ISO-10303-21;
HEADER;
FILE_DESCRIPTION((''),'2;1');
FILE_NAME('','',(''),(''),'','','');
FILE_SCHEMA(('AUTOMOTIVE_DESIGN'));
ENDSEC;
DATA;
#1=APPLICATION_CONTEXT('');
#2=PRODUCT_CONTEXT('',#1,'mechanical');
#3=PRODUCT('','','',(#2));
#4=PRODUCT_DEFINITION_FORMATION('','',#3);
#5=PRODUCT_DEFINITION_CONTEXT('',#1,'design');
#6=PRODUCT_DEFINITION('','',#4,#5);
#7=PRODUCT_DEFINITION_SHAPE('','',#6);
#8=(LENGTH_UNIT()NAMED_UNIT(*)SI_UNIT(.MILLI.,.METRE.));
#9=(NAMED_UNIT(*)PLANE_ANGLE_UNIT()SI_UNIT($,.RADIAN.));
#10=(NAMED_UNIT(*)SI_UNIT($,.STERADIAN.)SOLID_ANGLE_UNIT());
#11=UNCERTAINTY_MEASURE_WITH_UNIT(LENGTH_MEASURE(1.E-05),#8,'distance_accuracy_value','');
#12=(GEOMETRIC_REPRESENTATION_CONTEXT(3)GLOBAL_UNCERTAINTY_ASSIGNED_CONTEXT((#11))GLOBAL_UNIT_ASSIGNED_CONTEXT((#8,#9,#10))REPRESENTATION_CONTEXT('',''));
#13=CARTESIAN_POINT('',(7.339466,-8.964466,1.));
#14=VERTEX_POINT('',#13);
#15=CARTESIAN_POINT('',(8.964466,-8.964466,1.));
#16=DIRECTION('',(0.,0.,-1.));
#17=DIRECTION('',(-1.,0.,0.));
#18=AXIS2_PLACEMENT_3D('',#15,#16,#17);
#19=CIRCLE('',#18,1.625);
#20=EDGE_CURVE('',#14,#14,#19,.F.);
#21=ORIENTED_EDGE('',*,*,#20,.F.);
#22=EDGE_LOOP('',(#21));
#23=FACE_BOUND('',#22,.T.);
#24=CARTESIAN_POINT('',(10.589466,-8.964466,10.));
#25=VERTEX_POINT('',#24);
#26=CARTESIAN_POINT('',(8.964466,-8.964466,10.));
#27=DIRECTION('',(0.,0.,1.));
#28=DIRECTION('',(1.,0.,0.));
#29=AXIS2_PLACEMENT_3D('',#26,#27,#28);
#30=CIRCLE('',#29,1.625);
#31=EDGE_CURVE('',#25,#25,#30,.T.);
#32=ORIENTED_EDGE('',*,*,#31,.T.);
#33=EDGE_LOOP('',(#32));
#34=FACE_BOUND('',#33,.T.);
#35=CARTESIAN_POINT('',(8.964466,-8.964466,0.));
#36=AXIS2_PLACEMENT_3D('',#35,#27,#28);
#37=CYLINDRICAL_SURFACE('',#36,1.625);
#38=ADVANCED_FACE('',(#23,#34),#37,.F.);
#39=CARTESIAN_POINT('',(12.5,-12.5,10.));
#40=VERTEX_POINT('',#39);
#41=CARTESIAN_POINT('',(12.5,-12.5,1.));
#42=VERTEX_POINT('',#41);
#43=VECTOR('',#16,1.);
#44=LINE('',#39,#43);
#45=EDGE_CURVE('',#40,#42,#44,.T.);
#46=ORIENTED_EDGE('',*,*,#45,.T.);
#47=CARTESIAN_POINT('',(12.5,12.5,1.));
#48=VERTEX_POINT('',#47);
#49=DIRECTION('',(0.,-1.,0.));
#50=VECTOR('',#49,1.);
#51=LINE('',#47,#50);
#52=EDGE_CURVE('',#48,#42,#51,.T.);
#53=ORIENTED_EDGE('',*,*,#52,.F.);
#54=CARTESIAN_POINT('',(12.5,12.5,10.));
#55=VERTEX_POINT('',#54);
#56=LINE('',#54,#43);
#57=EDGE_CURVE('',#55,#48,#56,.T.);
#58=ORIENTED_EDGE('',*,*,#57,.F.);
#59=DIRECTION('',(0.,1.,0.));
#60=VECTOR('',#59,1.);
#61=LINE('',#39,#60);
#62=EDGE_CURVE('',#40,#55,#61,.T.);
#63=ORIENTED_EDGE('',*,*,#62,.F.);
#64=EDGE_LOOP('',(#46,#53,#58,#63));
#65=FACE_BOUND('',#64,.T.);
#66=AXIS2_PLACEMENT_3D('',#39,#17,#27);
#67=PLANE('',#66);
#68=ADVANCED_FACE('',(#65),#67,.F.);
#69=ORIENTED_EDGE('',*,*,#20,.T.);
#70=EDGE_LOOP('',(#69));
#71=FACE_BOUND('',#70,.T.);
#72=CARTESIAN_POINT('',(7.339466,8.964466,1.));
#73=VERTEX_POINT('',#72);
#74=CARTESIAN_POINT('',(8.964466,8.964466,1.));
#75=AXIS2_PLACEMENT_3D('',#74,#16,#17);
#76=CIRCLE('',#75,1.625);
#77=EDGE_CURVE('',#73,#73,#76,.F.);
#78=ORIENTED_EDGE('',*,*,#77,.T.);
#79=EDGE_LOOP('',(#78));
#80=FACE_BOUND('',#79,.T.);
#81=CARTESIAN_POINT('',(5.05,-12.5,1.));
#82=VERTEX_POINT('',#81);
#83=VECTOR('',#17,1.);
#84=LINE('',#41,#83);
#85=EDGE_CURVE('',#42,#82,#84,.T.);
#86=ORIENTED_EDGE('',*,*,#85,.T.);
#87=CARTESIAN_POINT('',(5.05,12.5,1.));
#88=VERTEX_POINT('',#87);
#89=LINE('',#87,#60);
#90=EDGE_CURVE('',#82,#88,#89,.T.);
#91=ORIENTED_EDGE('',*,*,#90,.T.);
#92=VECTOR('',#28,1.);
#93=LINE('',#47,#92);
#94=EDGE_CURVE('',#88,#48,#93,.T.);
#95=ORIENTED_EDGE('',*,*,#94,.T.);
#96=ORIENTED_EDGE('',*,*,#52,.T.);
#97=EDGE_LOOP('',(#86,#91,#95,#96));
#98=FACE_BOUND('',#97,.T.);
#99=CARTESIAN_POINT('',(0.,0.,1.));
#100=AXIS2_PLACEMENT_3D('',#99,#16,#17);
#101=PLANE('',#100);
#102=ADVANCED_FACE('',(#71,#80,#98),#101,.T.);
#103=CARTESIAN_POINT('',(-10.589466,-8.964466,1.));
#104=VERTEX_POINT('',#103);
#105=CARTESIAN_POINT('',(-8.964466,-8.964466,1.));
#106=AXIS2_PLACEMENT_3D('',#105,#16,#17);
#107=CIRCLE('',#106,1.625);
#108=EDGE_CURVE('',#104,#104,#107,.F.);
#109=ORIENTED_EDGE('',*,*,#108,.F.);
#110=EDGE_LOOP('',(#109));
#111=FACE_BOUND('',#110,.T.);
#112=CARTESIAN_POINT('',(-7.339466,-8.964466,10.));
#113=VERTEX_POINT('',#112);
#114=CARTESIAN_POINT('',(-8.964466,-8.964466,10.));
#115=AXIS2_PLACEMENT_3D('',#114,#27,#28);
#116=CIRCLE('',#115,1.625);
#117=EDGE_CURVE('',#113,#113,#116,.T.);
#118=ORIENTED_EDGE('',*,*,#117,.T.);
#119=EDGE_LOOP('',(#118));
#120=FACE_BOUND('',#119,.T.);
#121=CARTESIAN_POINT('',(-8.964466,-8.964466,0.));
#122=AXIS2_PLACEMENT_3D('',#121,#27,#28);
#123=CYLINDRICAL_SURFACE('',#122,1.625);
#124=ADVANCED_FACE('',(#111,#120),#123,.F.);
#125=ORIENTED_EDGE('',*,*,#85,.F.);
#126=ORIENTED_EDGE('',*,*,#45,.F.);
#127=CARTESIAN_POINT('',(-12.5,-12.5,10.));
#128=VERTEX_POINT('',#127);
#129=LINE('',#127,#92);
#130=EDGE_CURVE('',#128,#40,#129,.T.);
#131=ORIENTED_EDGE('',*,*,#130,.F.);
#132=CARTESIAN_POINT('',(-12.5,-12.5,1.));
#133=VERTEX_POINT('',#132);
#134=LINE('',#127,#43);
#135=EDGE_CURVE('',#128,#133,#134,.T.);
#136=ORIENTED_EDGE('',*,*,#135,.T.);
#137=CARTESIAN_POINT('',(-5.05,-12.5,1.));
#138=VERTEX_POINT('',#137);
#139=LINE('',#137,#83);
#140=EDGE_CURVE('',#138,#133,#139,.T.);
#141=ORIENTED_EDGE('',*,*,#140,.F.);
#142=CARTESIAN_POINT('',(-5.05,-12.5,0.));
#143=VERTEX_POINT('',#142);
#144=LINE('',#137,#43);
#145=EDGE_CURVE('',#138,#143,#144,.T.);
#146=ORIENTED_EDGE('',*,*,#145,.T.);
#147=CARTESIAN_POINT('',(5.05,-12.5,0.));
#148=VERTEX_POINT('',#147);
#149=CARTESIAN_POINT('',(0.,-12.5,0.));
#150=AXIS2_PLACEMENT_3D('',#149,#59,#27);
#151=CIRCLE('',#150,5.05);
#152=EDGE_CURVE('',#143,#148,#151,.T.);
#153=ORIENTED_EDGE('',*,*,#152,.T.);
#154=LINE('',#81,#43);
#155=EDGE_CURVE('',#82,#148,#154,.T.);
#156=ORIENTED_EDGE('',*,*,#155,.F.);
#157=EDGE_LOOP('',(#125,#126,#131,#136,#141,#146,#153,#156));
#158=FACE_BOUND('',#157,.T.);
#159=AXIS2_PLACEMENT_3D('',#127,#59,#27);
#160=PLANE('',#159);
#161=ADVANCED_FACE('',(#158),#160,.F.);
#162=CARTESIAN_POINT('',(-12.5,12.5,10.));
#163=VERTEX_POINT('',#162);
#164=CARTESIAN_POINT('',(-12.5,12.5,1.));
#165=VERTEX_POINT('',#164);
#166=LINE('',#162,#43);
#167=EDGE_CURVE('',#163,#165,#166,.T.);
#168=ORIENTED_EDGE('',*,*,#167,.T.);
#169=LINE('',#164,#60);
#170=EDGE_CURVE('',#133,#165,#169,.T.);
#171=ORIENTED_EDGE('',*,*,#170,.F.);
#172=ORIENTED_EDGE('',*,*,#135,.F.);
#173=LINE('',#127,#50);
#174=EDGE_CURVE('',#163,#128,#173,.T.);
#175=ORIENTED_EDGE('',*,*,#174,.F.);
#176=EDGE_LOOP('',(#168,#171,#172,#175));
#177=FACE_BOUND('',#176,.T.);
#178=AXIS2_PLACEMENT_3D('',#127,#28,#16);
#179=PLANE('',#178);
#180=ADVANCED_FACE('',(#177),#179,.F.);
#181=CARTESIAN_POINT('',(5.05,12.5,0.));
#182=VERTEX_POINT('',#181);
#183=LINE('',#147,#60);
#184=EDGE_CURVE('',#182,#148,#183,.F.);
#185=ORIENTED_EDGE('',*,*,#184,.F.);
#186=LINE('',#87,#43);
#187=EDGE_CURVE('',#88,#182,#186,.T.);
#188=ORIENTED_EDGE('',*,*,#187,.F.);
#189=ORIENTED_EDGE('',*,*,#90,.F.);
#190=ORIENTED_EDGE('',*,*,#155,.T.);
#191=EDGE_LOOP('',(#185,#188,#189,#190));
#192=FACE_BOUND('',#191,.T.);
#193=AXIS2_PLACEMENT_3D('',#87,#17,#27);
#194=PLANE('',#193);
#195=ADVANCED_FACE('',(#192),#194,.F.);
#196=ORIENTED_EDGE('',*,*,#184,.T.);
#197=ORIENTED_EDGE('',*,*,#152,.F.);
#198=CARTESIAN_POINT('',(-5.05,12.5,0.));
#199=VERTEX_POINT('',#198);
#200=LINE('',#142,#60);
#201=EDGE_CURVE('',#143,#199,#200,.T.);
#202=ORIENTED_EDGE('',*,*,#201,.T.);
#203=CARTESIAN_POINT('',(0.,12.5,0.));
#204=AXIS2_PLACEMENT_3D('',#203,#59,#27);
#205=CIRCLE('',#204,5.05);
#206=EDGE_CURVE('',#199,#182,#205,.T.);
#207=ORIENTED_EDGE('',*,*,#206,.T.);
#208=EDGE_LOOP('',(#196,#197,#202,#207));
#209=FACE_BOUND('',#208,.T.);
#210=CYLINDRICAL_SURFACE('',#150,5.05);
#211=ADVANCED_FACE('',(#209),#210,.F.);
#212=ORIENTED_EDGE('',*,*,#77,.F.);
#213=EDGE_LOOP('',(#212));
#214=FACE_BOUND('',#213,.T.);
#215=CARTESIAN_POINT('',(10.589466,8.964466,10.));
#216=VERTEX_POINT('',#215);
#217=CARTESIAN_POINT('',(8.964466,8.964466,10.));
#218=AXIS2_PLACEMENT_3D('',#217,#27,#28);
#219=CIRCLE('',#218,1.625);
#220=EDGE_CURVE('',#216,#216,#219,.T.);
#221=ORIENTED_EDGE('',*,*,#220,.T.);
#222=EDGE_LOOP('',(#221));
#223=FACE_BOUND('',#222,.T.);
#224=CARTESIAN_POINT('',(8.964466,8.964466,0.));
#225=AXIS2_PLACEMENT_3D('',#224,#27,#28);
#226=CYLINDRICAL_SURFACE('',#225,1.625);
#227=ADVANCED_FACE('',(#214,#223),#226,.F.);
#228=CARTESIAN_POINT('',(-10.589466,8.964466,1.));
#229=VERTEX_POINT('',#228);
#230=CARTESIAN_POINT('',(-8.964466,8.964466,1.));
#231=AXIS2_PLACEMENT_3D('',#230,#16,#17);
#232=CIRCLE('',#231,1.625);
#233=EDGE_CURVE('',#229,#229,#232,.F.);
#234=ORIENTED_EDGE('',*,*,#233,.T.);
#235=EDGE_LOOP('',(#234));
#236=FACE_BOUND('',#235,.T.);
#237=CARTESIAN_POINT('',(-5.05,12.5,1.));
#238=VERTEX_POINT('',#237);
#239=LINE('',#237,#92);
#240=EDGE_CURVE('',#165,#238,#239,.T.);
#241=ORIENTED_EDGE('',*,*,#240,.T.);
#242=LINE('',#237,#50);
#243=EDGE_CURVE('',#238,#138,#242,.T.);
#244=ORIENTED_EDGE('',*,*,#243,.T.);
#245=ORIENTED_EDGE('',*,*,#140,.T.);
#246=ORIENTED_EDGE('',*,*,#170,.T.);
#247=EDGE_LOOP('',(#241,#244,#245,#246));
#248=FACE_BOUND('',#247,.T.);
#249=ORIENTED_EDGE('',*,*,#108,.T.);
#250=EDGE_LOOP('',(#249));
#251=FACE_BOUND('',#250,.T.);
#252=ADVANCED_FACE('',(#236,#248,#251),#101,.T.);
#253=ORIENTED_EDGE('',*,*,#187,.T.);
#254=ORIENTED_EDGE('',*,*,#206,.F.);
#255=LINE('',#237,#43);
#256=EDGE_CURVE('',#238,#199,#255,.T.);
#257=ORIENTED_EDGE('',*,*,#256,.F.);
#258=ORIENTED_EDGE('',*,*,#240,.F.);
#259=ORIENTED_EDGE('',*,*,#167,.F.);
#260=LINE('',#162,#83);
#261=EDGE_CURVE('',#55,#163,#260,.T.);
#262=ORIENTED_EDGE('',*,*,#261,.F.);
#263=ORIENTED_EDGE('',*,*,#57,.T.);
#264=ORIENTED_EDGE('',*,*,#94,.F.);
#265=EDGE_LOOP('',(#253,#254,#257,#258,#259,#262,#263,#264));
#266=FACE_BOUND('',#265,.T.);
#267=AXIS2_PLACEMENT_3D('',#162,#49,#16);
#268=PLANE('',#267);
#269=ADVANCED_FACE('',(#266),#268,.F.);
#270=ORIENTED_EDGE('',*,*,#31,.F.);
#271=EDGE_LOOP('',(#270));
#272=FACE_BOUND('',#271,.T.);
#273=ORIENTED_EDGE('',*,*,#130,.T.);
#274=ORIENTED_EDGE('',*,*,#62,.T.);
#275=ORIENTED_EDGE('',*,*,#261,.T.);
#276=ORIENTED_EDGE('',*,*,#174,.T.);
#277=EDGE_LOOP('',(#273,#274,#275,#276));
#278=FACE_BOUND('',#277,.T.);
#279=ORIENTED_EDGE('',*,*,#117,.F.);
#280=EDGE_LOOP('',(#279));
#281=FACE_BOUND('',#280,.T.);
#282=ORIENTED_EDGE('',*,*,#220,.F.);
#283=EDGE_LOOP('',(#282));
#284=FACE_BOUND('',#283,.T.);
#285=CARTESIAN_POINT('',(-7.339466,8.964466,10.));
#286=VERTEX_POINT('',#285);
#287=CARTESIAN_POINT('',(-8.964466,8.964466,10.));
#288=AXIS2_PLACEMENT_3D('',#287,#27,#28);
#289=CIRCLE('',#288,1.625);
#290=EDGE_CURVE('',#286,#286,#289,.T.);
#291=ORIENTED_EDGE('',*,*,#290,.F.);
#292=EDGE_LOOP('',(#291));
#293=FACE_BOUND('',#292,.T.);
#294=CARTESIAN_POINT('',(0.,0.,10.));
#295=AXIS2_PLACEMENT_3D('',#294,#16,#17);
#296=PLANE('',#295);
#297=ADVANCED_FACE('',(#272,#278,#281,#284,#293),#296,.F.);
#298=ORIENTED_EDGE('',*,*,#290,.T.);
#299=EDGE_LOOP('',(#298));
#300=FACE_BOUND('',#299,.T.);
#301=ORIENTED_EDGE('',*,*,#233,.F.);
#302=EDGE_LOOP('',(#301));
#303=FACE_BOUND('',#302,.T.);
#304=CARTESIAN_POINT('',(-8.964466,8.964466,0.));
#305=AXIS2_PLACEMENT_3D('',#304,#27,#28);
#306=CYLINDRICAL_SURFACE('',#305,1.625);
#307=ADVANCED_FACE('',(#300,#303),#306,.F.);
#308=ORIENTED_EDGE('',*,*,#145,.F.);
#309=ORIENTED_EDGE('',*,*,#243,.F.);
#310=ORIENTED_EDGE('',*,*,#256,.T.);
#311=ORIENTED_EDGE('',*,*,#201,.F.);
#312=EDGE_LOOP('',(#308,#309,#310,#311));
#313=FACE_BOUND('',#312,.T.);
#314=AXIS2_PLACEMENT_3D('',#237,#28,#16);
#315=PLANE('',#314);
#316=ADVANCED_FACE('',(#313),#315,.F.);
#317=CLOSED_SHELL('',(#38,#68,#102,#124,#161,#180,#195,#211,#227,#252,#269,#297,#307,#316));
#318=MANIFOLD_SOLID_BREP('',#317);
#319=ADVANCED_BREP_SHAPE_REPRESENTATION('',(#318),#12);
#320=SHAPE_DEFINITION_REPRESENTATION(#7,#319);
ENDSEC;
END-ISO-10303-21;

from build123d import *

# Parameters (mm, degrees)
SKETCH1_W           = 25
SKETCH1_H           = 25
BOSS_EXTRUDE2_DEPTH = 10
SKETCH2_R           = 5.05
CUT_EXTRUDE1_DEPTH  = 26
SKETCH3_R           = 1.625
CUT_EXTRUDE2_DEPTH  = 11
SKETCH4_W           = 7.45
SKETCH4_H           = 25
CUT_EXTRUDE3_DEPTH  = 1


with BuildPart() as part:
    # Sketch1 → Boss-Extrude2 (new body)
    with BuildSketch(Plane.XY):
        Rectangle(SKETCH1_W, SKETCH1_H)
    extrude(amount=BOSS_EXTRUDE2_DEPTH)

    # Sketch2 → Cut-Extrude1 (cut, through all)
    with BuildSketch(Plane(origin=(0, 12.5, 0), x_dir=(1, 0, 0), z_dir=(0, 1, 0))):
        Circle(SKETCH2_R)
    extrude(amount=-CUT_EXTRUDE1_DEPTH, mode=Mode.SUBTRACT)

    # Sketch3 → Cut-Extrude2 (cut, through all)
    with BuildSketch(Plane.XY.offset(10)):
        with Locations((-8.964466094, 8.964466094)):
            Circle(SKETCH3_R)
        with Locations((8.964466094, 8.964466094)):
            Circle(SKETCH3_R)
        with Locations((8.964466094, -8.964466094)):
            Circle(SKETCH3_R)
        with Locations((-8.964466094, -8.964466094)):
            Circle(SKETCH3_R)
    extrude(amount=-CUT_EXTRUDE2_DEPTH, mode=Mode.SUBTRACT)

    # Sketch4 → Cut-Extrude3 (cut)
    with BuildSketch(Plane(origin=(0, 0, 0), x_dir=(-1, 0, 0), z_dir=(0, 0, -1))):
        with Locations((-8.775, 0)):
            Rectangle(SKETCH4_W, SKETCH4_H)
        with Locations((8.775, 0)):
            Rectangle(SKETCH4_W, SKETCH4_H)
    extrude(amount=-CUT_EXTRUDE3_DEPTH, mode=Mode.SUBTRACT)


solid = part.part
